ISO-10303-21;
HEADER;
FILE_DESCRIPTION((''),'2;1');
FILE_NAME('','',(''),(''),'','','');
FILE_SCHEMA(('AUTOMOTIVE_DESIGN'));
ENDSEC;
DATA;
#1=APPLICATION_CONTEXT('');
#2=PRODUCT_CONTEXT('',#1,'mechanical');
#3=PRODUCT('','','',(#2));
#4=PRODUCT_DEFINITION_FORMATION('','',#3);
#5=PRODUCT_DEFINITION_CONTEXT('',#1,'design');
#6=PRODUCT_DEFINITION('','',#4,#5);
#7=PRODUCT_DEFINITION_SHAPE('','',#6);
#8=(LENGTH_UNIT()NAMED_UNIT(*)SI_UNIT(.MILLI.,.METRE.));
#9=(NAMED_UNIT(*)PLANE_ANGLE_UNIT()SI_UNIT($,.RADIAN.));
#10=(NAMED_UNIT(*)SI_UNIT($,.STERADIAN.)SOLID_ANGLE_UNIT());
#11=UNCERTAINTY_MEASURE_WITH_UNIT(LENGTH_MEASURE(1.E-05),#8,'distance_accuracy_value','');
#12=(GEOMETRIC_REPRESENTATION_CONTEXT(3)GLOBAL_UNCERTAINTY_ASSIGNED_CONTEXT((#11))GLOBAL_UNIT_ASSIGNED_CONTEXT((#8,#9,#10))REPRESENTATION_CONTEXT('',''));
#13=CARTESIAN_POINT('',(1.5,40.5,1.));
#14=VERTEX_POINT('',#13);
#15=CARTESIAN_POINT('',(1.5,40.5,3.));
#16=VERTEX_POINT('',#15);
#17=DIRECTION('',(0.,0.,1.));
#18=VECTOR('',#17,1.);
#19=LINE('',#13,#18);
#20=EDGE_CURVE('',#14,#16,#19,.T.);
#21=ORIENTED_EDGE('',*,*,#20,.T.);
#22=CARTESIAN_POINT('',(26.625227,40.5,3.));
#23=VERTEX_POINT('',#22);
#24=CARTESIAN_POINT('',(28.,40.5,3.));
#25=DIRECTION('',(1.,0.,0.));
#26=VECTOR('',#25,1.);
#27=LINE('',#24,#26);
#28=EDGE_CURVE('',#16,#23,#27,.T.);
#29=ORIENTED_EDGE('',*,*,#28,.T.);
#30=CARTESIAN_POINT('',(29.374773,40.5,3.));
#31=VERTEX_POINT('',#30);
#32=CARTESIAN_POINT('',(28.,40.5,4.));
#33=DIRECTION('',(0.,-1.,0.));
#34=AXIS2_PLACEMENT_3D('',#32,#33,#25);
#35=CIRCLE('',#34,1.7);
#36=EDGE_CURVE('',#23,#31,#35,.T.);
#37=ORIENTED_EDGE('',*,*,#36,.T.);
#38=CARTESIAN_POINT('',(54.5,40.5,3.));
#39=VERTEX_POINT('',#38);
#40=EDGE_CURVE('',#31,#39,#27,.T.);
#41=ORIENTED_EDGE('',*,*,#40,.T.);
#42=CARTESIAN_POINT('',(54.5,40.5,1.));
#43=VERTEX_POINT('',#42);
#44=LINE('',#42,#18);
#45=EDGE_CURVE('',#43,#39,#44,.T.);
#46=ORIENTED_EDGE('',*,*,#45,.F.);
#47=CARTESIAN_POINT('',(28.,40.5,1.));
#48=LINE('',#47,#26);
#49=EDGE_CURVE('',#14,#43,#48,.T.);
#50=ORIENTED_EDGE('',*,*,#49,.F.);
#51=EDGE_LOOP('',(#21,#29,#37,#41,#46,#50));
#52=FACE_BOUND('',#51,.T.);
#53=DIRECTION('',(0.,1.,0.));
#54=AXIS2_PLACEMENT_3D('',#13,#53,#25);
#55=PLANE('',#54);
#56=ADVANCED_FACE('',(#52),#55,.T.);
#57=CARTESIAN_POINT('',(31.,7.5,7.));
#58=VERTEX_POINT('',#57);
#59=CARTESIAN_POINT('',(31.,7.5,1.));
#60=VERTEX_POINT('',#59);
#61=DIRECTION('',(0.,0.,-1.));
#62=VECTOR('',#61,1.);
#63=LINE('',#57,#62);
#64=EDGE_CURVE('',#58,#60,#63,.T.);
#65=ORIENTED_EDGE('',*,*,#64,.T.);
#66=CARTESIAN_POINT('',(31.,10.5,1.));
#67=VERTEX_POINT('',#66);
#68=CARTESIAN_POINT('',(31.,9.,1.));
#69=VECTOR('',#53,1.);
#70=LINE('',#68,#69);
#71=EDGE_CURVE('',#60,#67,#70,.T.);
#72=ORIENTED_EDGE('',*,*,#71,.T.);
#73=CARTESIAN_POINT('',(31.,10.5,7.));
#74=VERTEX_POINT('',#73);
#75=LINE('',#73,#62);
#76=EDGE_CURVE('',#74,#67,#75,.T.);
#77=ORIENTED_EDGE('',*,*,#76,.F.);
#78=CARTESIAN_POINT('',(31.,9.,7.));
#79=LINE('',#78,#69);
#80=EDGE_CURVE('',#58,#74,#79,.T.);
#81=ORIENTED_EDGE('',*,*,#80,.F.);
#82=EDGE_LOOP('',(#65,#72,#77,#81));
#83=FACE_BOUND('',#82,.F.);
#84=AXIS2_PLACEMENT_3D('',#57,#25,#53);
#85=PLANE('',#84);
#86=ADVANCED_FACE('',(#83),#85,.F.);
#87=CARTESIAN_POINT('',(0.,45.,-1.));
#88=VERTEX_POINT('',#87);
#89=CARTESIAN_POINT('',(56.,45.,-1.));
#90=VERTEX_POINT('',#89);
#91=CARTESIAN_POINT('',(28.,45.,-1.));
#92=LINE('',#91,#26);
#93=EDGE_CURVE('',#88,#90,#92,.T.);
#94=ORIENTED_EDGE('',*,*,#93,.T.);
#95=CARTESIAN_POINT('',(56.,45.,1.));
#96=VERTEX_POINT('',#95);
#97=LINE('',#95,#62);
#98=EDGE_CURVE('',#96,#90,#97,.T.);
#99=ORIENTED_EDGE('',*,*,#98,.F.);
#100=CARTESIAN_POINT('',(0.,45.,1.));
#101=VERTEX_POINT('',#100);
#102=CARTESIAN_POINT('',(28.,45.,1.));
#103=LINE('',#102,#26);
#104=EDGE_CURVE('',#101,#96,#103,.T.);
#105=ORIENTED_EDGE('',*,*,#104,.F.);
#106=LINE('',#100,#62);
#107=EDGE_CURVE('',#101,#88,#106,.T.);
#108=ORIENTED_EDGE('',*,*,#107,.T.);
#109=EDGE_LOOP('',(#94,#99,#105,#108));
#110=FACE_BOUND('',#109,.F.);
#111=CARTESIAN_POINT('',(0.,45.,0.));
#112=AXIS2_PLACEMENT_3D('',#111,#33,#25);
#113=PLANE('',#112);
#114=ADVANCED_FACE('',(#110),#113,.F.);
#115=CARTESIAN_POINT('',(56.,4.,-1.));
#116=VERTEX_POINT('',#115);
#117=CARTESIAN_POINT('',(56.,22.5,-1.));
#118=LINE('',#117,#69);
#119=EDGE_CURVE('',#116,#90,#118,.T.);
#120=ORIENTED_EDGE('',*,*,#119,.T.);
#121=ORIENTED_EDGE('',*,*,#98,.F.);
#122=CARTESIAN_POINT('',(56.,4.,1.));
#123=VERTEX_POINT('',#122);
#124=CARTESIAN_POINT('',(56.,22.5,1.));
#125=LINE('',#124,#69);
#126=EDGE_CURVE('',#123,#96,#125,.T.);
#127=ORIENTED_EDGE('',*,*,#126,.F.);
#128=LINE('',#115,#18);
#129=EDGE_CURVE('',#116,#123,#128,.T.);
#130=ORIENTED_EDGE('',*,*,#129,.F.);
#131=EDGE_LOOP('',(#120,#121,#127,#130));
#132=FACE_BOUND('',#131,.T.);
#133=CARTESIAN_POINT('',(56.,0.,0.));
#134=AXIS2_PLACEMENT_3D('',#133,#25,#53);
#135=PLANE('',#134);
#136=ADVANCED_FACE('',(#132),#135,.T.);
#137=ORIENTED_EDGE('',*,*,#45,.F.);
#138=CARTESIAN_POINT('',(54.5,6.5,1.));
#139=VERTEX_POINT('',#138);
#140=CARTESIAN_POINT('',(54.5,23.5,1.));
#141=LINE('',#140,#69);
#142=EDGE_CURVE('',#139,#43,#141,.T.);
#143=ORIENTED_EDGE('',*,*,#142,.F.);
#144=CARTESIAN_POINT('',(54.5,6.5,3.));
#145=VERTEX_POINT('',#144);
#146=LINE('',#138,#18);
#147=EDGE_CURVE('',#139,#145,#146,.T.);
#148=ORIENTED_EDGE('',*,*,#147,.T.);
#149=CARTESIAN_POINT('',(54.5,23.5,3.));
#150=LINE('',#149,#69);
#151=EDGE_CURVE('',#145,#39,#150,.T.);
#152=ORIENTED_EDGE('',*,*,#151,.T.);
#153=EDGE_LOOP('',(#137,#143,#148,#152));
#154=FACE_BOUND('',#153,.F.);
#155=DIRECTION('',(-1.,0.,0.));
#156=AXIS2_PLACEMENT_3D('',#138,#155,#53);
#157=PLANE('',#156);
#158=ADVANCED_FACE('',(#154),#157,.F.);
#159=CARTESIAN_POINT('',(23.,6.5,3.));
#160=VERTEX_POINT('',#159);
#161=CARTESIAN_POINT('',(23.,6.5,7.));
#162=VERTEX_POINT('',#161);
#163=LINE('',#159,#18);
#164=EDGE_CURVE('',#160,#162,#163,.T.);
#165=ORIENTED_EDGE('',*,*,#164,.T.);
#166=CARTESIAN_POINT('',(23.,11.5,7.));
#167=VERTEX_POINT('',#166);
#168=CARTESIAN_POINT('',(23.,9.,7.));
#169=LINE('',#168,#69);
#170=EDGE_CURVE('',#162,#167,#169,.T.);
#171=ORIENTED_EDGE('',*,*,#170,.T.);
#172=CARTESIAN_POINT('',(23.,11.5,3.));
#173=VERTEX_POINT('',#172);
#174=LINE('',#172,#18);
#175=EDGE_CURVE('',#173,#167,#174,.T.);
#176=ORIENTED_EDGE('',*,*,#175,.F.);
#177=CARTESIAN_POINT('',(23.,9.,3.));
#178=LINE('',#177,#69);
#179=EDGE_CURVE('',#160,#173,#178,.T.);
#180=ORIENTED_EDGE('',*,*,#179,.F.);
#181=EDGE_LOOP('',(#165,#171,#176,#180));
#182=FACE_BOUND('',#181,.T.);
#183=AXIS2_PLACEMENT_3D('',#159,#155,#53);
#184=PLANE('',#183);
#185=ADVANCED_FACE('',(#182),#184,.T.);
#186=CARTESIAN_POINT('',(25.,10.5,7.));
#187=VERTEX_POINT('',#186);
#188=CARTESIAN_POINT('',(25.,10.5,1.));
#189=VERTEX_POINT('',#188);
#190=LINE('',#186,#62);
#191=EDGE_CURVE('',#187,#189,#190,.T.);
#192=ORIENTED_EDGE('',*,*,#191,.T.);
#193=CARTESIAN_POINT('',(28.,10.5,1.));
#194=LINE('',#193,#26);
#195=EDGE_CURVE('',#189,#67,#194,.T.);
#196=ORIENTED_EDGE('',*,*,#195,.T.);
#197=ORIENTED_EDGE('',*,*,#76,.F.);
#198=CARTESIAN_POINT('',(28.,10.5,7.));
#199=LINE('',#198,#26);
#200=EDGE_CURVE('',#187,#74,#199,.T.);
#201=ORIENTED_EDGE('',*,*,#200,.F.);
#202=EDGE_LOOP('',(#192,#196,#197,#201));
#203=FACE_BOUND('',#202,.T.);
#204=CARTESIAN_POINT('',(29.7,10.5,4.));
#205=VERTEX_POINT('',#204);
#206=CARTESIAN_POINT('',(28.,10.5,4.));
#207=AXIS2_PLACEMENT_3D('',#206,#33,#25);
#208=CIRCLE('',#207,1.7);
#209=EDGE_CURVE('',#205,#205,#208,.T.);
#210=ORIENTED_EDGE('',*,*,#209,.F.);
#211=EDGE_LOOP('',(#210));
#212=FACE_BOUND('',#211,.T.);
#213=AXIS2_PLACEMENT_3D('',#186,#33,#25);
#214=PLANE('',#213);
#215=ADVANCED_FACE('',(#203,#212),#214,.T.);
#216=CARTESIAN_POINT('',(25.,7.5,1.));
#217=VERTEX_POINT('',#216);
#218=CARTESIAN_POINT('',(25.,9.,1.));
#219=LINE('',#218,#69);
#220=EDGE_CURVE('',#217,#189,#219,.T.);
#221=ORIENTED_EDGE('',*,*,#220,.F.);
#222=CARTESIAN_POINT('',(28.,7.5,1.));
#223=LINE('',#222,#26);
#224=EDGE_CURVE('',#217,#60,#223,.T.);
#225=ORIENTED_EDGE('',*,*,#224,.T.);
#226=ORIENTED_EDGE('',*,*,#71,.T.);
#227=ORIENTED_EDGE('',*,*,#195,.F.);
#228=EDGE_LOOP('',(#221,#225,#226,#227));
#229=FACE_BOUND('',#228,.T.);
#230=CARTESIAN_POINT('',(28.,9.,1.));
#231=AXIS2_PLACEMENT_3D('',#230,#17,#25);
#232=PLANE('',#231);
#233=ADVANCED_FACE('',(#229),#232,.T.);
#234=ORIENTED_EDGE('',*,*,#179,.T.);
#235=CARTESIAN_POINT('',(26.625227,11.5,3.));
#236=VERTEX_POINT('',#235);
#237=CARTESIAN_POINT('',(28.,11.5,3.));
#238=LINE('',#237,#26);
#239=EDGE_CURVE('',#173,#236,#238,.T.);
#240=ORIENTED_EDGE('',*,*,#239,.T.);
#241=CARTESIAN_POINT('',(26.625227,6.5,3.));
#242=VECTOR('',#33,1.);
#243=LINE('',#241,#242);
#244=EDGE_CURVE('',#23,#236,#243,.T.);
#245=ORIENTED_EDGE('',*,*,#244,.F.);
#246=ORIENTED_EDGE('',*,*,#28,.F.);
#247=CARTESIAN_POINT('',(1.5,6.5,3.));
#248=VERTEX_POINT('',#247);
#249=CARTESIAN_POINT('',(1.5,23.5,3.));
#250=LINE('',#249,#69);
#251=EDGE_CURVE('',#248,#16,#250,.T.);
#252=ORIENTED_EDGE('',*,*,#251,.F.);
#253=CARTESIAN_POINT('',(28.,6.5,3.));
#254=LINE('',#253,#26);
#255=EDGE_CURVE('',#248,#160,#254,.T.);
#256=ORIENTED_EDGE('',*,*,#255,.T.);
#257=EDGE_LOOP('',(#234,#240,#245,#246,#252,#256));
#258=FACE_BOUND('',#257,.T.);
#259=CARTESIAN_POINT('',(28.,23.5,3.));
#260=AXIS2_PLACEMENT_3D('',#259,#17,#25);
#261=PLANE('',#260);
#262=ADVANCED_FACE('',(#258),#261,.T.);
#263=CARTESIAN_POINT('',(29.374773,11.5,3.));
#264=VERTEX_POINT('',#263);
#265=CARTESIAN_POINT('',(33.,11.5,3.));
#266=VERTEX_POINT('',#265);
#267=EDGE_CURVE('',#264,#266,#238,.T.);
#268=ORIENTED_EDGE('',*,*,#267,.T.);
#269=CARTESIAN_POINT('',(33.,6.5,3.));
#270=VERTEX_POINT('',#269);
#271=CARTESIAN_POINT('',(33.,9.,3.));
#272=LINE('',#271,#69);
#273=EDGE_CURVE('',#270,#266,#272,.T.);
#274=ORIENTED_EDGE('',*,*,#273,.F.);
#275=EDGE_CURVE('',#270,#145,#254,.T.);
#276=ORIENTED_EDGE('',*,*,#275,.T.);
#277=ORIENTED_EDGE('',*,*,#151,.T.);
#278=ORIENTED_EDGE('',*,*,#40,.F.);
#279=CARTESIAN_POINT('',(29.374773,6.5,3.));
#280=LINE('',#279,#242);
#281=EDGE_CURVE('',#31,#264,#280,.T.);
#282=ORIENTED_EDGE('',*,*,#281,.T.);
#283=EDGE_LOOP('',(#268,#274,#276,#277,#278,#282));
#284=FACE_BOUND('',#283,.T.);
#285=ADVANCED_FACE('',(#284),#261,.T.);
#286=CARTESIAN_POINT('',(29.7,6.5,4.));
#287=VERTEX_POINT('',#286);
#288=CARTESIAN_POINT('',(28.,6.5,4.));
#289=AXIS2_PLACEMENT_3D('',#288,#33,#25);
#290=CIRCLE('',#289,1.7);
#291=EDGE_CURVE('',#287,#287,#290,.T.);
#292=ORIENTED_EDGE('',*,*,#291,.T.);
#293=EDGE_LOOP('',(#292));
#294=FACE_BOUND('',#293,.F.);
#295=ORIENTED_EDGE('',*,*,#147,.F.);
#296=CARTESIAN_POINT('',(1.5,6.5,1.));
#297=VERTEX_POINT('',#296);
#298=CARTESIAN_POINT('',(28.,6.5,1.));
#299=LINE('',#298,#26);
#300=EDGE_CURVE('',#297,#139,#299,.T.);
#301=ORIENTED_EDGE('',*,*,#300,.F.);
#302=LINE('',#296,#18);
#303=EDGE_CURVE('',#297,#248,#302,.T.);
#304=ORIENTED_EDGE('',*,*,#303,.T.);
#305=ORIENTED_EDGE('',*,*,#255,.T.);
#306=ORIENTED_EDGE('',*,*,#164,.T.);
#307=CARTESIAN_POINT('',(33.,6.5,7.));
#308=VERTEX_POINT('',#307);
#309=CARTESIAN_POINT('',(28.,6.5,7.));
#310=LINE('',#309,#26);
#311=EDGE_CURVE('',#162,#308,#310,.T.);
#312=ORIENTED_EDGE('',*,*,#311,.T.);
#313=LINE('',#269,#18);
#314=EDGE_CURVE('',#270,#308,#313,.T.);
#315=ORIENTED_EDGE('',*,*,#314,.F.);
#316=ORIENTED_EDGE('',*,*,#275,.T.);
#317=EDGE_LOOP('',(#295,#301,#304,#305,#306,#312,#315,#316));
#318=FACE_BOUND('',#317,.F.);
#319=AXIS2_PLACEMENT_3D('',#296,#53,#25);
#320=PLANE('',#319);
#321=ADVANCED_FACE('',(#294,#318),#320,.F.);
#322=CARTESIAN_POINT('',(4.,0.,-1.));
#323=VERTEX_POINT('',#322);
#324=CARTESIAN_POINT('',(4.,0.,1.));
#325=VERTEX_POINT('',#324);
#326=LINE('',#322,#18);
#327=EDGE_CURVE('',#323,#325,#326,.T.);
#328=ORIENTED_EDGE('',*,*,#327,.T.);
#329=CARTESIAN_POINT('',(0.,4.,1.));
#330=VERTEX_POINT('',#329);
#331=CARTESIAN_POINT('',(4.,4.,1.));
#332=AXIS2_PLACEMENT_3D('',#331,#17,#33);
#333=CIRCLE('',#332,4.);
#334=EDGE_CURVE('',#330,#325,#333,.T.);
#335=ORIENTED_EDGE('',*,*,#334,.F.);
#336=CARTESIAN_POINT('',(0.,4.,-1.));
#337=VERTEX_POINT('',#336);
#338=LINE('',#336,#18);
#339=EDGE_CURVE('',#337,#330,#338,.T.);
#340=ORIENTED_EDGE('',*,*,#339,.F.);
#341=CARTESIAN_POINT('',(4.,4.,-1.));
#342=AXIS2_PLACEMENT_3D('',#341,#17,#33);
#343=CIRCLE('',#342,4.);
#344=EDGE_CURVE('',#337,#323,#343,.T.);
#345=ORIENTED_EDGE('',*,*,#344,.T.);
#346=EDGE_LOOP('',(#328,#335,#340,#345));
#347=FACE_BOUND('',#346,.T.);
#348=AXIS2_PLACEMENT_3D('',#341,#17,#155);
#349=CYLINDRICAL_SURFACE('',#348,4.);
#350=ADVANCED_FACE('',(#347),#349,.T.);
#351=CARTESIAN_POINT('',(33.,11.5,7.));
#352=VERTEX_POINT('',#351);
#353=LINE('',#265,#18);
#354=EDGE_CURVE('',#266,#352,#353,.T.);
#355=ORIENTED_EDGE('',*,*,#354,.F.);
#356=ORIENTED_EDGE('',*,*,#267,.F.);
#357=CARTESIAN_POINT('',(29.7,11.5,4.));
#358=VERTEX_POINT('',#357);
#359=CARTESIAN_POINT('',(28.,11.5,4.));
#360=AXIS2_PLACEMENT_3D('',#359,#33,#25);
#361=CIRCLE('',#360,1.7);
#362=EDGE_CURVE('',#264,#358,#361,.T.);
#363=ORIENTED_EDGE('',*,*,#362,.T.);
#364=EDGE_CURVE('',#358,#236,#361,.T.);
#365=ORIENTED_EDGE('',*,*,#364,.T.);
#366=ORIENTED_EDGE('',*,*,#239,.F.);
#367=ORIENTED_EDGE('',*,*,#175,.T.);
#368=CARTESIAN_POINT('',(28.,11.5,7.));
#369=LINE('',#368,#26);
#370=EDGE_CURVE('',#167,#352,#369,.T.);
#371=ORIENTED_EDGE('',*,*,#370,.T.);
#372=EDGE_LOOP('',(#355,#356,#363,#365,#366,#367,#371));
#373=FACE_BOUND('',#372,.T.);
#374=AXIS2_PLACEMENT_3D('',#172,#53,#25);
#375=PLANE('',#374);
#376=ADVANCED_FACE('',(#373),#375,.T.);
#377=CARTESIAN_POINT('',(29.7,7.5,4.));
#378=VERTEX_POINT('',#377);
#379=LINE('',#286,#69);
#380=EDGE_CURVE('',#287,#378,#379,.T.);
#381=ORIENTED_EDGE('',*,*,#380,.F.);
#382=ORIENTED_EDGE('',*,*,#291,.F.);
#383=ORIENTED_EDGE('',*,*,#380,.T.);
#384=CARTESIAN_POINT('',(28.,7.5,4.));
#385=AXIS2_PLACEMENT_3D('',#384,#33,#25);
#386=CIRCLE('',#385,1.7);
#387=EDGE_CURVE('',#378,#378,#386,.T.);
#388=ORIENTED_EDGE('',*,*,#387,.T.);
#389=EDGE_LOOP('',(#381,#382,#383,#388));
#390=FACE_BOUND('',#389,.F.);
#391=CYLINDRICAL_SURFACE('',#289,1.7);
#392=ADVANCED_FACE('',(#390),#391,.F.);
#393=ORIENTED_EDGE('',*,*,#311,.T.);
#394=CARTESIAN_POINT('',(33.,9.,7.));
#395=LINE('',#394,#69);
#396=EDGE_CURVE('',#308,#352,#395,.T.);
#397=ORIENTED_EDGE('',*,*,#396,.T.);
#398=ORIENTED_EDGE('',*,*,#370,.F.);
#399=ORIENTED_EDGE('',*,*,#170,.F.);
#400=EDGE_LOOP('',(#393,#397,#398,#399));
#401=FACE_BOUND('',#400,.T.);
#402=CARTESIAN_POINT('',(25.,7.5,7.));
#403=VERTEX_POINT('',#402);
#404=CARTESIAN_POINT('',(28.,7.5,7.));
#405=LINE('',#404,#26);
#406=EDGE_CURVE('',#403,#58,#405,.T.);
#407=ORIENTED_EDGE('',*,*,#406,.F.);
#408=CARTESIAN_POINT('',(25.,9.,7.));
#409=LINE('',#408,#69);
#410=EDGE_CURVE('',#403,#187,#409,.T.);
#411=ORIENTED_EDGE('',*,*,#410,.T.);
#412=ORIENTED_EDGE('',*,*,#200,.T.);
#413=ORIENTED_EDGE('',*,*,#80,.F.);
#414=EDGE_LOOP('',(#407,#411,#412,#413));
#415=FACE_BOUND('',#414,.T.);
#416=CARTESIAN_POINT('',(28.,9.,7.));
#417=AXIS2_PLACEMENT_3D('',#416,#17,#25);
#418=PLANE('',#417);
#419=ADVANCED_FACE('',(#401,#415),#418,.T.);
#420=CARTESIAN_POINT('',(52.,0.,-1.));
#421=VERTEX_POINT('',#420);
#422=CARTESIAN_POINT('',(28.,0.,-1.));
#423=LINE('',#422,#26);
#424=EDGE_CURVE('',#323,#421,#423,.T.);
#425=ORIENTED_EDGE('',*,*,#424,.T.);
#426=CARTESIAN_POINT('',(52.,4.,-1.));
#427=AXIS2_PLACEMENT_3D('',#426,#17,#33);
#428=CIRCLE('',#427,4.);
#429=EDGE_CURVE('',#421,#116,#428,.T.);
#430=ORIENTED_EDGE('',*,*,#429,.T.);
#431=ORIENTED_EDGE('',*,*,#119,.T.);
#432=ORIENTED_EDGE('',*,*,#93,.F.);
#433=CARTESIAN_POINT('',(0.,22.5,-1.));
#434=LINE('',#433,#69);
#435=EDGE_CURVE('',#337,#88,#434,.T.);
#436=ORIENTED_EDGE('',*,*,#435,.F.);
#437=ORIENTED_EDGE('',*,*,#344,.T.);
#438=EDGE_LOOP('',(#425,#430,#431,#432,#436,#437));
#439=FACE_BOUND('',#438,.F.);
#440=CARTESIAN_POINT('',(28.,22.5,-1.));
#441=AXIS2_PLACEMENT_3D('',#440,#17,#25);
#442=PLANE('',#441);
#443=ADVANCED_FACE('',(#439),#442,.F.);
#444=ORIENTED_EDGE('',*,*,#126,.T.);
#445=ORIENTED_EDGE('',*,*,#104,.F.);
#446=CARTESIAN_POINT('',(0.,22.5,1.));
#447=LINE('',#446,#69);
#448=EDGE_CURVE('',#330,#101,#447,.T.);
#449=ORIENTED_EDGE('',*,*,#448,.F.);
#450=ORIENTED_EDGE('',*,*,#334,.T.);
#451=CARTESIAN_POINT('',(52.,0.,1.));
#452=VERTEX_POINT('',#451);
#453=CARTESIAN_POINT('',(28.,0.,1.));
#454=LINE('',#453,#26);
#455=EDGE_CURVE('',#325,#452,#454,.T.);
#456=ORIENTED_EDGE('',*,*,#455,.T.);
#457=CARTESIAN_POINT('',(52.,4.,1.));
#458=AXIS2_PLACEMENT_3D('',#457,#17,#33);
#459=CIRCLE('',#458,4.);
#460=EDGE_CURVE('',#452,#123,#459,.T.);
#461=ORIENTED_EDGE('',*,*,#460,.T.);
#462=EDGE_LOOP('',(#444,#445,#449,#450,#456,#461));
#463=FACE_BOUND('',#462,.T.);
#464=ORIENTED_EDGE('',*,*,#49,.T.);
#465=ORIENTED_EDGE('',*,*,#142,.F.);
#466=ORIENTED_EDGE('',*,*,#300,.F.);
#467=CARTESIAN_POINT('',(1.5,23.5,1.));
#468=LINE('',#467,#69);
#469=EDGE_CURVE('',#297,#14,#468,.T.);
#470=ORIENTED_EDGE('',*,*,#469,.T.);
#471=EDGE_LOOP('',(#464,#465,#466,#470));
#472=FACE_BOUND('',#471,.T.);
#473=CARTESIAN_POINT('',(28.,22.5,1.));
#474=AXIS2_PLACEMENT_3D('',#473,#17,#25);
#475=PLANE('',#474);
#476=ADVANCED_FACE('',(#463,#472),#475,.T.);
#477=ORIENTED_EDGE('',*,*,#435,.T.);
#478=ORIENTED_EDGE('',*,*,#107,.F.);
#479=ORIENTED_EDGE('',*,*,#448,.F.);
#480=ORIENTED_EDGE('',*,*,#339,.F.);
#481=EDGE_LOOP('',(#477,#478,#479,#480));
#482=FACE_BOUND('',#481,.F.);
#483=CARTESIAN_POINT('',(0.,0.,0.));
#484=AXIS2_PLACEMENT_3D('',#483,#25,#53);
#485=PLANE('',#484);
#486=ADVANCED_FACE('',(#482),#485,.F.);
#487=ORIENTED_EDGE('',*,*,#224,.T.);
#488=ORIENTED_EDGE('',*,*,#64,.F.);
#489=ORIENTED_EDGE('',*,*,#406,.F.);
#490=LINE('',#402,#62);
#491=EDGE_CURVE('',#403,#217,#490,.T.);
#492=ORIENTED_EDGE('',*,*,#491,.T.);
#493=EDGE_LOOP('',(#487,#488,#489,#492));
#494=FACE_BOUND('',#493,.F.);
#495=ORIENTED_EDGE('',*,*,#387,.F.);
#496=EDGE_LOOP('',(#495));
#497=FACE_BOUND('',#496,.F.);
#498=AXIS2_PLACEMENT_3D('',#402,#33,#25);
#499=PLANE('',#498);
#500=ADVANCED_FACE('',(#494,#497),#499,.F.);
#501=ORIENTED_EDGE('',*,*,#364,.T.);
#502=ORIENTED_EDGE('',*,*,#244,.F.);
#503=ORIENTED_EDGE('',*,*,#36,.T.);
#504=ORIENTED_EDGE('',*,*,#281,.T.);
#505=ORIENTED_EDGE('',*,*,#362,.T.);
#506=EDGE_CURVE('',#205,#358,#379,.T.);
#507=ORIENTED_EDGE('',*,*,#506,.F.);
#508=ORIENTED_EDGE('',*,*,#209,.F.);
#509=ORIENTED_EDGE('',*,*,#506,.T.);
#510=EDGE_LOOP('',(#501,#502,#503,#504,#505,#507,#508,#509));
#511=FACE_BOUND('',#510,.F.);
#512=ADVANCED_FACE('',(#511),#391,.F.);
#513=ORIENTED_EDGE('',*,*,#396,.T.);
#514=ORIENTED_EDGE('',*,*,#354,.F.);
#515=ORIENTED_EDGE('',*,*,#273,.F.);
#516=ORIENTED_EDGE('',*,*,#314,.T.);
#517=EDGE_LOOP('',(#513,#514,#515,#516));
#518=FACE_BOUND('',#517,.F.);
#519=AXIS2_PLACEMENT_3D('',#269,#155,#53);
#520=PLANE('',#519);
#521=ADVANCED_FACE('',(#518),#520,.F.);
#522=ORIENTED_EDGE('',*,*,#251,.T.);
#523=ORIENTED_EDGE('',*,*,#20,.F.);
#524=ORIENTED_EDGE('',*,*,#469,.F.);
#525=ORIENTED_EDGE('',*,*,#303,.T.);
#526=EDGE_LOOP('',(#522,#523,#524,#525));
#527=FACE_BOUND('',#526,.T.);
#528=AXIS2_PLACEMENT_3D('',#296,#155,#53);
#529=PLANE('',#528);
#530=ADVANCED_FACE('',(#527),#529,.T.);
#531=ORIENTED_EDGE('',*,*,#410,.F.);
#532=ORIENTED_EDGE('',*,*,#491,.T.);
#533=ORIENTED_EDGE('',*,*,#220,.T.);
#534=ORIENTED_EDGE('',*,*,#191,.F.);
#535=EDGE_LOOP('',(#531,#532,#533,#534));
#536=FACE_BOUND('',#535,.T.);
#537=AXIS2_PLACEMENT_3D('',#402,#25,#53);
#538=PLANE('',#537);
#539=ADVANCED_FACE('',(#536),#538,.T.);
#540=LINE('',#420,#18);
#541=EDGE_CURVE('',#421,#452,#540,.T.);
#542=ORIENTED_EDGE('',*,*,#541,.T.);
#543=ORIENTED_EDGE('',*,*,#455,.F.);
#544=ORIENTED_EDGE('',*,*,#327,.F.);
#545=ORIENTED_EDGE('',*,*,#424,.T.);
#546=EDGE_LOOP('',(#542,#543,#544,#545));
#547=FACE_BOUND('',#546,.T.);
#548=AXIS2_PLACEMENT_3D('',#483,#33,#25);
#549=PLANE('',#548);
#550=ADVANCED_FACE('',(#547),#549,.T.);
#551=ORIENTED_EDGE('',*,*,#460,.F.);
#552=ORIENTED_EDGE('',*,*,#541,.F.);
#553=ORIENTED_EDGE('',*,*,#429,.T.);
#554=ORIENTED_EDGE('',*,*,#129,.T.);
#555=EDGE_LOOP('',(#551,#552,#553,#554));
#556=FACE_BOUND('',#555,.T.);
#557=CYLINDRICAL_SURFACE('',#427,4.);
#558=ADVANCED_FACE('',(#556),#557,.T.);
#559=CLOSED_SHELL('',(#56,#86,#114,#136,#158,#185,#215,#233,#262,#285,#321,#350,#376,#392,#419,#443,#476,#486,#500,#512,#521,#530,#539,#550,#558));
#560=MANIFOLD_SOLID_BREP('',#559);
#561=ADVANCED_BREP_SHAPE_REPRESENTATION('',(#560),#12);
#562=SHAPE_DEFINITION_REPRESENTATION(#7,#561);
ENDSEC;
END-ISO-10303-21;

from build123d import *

# Parameters (mm, degrees)
SKETCH_W        = 56
SKETCH_H        = 45
PAD_DEPTH       = 1
SKETCH001_W     = 53
SKETCH001_H     = 34
PAD001_DEPTH    = 2
SKETCH002_W     = 10
SKETCH002_H     = 5
PAD002_DEPTH    = 4
SKETCH003_R     = 1.7
POCKET_DEPTH    = 38.501
SKETCH004_W     = 6
SKETCH004_H     = 3
POCKET001_DEPTH = 6
FILLET_R        = 4


with BuildPart() as part:
    # Sketch → Pad (new body, symmetric)
    with BuildSketch(Plane.XY):
        with Locations((28, 22.5)):
            Rectangle(SKETCH_W, SKETCH_H)
    extrude(amount=PAD_DEPTH, both=True)

    # Sketch001 (on Face6 of Pad) → Pad001 (join)
    with BuildSketch(Plane.XY.offset(1)):
        with Locations((28, 23.5)):
            Rectangle(SKETCH001_W, SKETCH001_H)
    extrude(amount=PAD001_DEPTH)

    # Sketch002 (on Face11 of Pad001) → Pad002 (join)
    with BuildSketch(Plane.XY.offset(3)):
        with Locations((28, 9)):
            Rectangle(SKETCH002_W, SKETCH002_H)
    extrude(amount=PAD002_DEPTH)

    # Sketch003 (on Face12 of Pad002) → Pocket (cut, through all)
    with BuildSketch(Plane.XZ.offset(-6.5)):
        with Locations((28, 4)):
            Circle(SKETCH003_R)
    extrude(amount=-POCKET_DEPTH, mode=Mode.SUBTRACT)

    # Sketch004 → Pocket001 (cut)
    with BuildSketch(Plane.XY.offset(7)):
        with Locations((28, 9)):
            Rectangle(SKETCH004_W, SKETCH004_H)
    extrude(amount=-POCKET001_DEPTH, mode=Mode.SUBTRACT)

    # Fillet
    fillet_edges = [part.edges().sort_by_distance(p)[0] for p in [
        (0, 0, 0),
        (56, 0, 0),
    ]]
    fillet(fillet_edges, radius=FILLET_R)


solid = part.part
